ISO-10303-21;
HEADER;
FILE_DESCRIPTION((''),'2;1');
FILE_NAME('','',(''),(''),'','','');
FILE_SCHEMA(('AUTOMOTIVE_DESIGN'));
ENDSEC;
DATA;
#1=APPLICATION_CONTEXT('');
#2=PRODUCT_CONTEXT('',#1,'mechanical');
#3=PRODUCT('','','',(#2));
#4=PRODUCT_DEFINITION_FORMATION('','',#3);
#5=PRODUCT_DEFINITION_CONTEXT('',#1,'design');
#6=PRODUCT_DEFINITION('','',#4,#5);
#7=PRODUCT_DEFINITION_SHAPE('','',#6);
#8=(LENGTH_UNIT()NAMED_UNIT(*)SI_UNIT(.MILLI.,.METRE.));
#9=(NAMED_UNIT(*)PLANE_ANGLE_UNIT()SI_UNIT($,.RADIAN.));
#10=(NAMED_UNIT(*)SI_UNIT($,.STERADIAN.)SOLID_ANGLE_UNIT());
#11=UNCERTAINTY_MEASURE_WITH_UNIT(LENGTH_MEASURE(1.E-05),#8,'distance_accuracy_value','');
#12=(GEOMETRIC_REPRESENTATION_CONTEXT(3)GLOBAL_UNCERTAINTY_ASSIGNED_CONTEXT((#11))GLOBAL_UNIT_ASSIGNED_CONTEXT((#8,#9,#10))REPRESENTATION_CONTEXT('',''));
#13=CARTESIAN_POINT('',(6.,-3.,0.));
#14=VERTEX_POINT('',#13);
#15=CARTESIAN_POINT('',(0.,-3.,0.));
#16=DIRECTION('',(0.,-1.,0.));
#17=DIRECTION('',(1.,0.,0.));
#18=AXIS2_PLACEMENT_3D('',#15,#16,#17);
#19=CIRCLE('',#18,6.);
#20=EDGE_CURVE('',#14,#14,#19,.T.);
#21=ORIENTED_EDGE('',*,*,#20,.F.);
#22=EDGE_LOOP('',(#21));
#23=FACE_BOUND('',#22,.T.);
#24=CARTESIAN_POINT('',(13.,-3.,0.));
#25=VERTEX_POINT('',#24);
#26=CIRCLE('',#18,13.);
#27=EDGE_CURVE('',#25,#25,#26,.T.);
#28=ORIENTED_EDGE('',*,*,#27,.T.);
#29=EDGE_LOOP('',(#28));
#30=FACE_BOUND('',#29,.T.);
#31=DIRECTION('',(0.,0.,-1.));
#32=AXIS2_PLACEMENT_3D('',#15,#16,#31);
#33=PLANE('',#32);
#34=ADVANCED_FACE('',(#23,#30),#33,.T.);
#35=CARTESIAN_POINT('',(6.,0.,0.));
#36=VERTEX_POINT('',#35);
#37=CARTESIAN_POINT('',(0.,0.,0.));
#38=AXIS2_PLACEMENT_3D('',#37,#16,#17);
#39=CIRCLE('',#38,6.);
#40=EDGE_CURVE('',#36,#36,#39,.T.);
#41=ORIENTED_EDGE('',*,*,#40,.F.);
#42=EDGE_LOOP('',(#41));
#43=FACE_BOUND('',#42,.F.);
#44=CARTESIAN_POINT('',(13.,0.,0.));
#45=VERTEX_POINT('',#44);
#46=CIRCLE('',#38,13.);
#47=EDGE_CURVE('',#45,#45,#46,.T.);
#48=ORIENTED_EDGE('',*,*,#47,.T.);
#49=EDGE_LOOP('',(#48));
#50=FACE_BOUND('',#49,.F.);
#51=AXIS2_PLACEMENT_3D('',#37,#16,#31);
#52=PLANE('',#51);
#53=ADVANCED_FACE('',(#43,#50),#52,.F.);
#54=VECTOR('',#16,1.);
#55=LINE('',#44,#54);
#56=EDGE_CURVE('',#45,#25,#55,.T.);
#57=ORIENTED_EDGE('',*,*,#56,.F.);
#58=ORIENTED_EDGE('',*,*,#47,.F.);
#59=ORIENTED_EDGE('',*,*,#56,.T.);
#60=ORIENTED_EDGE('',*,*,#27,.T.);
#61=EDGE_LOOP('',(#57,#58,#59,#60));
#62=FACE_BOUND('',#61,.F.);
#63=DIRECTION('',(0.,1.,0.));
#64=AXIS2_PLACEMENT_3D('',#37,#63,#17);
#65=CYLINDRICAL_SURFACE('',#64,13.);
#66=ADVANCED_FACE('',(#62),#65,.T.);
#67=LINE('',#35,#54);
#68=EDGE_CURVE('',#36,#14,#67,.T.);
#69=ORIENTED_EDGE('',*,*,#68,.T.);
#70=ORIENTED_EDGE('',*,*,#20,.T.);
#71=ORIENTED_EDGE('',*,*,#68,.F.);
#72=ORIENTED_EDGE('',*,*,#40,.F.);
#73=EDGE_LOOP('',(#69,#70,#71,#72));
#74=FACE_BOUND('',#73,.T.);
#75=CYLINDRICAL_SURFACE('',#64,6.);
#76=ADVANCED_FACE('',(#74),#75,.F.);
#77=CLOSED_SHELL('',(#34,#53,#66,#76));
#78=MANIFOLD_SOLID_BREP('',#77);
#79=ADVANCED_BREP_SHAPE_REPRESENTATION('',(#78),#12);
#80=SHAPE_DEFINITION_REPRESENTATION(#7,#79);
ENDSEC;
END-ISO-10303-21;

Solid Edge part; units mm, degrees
sketch "Sketch1" plane through (0, 0, 0) normal (0, -1, 0) x (1, 0, 0)
  circle A0 centre (0, 0) radius 13
  circle A1 centre (0, 0) radius 6
extrude "Protrusion1" add sketch "Sketch1" along normal blind 3
